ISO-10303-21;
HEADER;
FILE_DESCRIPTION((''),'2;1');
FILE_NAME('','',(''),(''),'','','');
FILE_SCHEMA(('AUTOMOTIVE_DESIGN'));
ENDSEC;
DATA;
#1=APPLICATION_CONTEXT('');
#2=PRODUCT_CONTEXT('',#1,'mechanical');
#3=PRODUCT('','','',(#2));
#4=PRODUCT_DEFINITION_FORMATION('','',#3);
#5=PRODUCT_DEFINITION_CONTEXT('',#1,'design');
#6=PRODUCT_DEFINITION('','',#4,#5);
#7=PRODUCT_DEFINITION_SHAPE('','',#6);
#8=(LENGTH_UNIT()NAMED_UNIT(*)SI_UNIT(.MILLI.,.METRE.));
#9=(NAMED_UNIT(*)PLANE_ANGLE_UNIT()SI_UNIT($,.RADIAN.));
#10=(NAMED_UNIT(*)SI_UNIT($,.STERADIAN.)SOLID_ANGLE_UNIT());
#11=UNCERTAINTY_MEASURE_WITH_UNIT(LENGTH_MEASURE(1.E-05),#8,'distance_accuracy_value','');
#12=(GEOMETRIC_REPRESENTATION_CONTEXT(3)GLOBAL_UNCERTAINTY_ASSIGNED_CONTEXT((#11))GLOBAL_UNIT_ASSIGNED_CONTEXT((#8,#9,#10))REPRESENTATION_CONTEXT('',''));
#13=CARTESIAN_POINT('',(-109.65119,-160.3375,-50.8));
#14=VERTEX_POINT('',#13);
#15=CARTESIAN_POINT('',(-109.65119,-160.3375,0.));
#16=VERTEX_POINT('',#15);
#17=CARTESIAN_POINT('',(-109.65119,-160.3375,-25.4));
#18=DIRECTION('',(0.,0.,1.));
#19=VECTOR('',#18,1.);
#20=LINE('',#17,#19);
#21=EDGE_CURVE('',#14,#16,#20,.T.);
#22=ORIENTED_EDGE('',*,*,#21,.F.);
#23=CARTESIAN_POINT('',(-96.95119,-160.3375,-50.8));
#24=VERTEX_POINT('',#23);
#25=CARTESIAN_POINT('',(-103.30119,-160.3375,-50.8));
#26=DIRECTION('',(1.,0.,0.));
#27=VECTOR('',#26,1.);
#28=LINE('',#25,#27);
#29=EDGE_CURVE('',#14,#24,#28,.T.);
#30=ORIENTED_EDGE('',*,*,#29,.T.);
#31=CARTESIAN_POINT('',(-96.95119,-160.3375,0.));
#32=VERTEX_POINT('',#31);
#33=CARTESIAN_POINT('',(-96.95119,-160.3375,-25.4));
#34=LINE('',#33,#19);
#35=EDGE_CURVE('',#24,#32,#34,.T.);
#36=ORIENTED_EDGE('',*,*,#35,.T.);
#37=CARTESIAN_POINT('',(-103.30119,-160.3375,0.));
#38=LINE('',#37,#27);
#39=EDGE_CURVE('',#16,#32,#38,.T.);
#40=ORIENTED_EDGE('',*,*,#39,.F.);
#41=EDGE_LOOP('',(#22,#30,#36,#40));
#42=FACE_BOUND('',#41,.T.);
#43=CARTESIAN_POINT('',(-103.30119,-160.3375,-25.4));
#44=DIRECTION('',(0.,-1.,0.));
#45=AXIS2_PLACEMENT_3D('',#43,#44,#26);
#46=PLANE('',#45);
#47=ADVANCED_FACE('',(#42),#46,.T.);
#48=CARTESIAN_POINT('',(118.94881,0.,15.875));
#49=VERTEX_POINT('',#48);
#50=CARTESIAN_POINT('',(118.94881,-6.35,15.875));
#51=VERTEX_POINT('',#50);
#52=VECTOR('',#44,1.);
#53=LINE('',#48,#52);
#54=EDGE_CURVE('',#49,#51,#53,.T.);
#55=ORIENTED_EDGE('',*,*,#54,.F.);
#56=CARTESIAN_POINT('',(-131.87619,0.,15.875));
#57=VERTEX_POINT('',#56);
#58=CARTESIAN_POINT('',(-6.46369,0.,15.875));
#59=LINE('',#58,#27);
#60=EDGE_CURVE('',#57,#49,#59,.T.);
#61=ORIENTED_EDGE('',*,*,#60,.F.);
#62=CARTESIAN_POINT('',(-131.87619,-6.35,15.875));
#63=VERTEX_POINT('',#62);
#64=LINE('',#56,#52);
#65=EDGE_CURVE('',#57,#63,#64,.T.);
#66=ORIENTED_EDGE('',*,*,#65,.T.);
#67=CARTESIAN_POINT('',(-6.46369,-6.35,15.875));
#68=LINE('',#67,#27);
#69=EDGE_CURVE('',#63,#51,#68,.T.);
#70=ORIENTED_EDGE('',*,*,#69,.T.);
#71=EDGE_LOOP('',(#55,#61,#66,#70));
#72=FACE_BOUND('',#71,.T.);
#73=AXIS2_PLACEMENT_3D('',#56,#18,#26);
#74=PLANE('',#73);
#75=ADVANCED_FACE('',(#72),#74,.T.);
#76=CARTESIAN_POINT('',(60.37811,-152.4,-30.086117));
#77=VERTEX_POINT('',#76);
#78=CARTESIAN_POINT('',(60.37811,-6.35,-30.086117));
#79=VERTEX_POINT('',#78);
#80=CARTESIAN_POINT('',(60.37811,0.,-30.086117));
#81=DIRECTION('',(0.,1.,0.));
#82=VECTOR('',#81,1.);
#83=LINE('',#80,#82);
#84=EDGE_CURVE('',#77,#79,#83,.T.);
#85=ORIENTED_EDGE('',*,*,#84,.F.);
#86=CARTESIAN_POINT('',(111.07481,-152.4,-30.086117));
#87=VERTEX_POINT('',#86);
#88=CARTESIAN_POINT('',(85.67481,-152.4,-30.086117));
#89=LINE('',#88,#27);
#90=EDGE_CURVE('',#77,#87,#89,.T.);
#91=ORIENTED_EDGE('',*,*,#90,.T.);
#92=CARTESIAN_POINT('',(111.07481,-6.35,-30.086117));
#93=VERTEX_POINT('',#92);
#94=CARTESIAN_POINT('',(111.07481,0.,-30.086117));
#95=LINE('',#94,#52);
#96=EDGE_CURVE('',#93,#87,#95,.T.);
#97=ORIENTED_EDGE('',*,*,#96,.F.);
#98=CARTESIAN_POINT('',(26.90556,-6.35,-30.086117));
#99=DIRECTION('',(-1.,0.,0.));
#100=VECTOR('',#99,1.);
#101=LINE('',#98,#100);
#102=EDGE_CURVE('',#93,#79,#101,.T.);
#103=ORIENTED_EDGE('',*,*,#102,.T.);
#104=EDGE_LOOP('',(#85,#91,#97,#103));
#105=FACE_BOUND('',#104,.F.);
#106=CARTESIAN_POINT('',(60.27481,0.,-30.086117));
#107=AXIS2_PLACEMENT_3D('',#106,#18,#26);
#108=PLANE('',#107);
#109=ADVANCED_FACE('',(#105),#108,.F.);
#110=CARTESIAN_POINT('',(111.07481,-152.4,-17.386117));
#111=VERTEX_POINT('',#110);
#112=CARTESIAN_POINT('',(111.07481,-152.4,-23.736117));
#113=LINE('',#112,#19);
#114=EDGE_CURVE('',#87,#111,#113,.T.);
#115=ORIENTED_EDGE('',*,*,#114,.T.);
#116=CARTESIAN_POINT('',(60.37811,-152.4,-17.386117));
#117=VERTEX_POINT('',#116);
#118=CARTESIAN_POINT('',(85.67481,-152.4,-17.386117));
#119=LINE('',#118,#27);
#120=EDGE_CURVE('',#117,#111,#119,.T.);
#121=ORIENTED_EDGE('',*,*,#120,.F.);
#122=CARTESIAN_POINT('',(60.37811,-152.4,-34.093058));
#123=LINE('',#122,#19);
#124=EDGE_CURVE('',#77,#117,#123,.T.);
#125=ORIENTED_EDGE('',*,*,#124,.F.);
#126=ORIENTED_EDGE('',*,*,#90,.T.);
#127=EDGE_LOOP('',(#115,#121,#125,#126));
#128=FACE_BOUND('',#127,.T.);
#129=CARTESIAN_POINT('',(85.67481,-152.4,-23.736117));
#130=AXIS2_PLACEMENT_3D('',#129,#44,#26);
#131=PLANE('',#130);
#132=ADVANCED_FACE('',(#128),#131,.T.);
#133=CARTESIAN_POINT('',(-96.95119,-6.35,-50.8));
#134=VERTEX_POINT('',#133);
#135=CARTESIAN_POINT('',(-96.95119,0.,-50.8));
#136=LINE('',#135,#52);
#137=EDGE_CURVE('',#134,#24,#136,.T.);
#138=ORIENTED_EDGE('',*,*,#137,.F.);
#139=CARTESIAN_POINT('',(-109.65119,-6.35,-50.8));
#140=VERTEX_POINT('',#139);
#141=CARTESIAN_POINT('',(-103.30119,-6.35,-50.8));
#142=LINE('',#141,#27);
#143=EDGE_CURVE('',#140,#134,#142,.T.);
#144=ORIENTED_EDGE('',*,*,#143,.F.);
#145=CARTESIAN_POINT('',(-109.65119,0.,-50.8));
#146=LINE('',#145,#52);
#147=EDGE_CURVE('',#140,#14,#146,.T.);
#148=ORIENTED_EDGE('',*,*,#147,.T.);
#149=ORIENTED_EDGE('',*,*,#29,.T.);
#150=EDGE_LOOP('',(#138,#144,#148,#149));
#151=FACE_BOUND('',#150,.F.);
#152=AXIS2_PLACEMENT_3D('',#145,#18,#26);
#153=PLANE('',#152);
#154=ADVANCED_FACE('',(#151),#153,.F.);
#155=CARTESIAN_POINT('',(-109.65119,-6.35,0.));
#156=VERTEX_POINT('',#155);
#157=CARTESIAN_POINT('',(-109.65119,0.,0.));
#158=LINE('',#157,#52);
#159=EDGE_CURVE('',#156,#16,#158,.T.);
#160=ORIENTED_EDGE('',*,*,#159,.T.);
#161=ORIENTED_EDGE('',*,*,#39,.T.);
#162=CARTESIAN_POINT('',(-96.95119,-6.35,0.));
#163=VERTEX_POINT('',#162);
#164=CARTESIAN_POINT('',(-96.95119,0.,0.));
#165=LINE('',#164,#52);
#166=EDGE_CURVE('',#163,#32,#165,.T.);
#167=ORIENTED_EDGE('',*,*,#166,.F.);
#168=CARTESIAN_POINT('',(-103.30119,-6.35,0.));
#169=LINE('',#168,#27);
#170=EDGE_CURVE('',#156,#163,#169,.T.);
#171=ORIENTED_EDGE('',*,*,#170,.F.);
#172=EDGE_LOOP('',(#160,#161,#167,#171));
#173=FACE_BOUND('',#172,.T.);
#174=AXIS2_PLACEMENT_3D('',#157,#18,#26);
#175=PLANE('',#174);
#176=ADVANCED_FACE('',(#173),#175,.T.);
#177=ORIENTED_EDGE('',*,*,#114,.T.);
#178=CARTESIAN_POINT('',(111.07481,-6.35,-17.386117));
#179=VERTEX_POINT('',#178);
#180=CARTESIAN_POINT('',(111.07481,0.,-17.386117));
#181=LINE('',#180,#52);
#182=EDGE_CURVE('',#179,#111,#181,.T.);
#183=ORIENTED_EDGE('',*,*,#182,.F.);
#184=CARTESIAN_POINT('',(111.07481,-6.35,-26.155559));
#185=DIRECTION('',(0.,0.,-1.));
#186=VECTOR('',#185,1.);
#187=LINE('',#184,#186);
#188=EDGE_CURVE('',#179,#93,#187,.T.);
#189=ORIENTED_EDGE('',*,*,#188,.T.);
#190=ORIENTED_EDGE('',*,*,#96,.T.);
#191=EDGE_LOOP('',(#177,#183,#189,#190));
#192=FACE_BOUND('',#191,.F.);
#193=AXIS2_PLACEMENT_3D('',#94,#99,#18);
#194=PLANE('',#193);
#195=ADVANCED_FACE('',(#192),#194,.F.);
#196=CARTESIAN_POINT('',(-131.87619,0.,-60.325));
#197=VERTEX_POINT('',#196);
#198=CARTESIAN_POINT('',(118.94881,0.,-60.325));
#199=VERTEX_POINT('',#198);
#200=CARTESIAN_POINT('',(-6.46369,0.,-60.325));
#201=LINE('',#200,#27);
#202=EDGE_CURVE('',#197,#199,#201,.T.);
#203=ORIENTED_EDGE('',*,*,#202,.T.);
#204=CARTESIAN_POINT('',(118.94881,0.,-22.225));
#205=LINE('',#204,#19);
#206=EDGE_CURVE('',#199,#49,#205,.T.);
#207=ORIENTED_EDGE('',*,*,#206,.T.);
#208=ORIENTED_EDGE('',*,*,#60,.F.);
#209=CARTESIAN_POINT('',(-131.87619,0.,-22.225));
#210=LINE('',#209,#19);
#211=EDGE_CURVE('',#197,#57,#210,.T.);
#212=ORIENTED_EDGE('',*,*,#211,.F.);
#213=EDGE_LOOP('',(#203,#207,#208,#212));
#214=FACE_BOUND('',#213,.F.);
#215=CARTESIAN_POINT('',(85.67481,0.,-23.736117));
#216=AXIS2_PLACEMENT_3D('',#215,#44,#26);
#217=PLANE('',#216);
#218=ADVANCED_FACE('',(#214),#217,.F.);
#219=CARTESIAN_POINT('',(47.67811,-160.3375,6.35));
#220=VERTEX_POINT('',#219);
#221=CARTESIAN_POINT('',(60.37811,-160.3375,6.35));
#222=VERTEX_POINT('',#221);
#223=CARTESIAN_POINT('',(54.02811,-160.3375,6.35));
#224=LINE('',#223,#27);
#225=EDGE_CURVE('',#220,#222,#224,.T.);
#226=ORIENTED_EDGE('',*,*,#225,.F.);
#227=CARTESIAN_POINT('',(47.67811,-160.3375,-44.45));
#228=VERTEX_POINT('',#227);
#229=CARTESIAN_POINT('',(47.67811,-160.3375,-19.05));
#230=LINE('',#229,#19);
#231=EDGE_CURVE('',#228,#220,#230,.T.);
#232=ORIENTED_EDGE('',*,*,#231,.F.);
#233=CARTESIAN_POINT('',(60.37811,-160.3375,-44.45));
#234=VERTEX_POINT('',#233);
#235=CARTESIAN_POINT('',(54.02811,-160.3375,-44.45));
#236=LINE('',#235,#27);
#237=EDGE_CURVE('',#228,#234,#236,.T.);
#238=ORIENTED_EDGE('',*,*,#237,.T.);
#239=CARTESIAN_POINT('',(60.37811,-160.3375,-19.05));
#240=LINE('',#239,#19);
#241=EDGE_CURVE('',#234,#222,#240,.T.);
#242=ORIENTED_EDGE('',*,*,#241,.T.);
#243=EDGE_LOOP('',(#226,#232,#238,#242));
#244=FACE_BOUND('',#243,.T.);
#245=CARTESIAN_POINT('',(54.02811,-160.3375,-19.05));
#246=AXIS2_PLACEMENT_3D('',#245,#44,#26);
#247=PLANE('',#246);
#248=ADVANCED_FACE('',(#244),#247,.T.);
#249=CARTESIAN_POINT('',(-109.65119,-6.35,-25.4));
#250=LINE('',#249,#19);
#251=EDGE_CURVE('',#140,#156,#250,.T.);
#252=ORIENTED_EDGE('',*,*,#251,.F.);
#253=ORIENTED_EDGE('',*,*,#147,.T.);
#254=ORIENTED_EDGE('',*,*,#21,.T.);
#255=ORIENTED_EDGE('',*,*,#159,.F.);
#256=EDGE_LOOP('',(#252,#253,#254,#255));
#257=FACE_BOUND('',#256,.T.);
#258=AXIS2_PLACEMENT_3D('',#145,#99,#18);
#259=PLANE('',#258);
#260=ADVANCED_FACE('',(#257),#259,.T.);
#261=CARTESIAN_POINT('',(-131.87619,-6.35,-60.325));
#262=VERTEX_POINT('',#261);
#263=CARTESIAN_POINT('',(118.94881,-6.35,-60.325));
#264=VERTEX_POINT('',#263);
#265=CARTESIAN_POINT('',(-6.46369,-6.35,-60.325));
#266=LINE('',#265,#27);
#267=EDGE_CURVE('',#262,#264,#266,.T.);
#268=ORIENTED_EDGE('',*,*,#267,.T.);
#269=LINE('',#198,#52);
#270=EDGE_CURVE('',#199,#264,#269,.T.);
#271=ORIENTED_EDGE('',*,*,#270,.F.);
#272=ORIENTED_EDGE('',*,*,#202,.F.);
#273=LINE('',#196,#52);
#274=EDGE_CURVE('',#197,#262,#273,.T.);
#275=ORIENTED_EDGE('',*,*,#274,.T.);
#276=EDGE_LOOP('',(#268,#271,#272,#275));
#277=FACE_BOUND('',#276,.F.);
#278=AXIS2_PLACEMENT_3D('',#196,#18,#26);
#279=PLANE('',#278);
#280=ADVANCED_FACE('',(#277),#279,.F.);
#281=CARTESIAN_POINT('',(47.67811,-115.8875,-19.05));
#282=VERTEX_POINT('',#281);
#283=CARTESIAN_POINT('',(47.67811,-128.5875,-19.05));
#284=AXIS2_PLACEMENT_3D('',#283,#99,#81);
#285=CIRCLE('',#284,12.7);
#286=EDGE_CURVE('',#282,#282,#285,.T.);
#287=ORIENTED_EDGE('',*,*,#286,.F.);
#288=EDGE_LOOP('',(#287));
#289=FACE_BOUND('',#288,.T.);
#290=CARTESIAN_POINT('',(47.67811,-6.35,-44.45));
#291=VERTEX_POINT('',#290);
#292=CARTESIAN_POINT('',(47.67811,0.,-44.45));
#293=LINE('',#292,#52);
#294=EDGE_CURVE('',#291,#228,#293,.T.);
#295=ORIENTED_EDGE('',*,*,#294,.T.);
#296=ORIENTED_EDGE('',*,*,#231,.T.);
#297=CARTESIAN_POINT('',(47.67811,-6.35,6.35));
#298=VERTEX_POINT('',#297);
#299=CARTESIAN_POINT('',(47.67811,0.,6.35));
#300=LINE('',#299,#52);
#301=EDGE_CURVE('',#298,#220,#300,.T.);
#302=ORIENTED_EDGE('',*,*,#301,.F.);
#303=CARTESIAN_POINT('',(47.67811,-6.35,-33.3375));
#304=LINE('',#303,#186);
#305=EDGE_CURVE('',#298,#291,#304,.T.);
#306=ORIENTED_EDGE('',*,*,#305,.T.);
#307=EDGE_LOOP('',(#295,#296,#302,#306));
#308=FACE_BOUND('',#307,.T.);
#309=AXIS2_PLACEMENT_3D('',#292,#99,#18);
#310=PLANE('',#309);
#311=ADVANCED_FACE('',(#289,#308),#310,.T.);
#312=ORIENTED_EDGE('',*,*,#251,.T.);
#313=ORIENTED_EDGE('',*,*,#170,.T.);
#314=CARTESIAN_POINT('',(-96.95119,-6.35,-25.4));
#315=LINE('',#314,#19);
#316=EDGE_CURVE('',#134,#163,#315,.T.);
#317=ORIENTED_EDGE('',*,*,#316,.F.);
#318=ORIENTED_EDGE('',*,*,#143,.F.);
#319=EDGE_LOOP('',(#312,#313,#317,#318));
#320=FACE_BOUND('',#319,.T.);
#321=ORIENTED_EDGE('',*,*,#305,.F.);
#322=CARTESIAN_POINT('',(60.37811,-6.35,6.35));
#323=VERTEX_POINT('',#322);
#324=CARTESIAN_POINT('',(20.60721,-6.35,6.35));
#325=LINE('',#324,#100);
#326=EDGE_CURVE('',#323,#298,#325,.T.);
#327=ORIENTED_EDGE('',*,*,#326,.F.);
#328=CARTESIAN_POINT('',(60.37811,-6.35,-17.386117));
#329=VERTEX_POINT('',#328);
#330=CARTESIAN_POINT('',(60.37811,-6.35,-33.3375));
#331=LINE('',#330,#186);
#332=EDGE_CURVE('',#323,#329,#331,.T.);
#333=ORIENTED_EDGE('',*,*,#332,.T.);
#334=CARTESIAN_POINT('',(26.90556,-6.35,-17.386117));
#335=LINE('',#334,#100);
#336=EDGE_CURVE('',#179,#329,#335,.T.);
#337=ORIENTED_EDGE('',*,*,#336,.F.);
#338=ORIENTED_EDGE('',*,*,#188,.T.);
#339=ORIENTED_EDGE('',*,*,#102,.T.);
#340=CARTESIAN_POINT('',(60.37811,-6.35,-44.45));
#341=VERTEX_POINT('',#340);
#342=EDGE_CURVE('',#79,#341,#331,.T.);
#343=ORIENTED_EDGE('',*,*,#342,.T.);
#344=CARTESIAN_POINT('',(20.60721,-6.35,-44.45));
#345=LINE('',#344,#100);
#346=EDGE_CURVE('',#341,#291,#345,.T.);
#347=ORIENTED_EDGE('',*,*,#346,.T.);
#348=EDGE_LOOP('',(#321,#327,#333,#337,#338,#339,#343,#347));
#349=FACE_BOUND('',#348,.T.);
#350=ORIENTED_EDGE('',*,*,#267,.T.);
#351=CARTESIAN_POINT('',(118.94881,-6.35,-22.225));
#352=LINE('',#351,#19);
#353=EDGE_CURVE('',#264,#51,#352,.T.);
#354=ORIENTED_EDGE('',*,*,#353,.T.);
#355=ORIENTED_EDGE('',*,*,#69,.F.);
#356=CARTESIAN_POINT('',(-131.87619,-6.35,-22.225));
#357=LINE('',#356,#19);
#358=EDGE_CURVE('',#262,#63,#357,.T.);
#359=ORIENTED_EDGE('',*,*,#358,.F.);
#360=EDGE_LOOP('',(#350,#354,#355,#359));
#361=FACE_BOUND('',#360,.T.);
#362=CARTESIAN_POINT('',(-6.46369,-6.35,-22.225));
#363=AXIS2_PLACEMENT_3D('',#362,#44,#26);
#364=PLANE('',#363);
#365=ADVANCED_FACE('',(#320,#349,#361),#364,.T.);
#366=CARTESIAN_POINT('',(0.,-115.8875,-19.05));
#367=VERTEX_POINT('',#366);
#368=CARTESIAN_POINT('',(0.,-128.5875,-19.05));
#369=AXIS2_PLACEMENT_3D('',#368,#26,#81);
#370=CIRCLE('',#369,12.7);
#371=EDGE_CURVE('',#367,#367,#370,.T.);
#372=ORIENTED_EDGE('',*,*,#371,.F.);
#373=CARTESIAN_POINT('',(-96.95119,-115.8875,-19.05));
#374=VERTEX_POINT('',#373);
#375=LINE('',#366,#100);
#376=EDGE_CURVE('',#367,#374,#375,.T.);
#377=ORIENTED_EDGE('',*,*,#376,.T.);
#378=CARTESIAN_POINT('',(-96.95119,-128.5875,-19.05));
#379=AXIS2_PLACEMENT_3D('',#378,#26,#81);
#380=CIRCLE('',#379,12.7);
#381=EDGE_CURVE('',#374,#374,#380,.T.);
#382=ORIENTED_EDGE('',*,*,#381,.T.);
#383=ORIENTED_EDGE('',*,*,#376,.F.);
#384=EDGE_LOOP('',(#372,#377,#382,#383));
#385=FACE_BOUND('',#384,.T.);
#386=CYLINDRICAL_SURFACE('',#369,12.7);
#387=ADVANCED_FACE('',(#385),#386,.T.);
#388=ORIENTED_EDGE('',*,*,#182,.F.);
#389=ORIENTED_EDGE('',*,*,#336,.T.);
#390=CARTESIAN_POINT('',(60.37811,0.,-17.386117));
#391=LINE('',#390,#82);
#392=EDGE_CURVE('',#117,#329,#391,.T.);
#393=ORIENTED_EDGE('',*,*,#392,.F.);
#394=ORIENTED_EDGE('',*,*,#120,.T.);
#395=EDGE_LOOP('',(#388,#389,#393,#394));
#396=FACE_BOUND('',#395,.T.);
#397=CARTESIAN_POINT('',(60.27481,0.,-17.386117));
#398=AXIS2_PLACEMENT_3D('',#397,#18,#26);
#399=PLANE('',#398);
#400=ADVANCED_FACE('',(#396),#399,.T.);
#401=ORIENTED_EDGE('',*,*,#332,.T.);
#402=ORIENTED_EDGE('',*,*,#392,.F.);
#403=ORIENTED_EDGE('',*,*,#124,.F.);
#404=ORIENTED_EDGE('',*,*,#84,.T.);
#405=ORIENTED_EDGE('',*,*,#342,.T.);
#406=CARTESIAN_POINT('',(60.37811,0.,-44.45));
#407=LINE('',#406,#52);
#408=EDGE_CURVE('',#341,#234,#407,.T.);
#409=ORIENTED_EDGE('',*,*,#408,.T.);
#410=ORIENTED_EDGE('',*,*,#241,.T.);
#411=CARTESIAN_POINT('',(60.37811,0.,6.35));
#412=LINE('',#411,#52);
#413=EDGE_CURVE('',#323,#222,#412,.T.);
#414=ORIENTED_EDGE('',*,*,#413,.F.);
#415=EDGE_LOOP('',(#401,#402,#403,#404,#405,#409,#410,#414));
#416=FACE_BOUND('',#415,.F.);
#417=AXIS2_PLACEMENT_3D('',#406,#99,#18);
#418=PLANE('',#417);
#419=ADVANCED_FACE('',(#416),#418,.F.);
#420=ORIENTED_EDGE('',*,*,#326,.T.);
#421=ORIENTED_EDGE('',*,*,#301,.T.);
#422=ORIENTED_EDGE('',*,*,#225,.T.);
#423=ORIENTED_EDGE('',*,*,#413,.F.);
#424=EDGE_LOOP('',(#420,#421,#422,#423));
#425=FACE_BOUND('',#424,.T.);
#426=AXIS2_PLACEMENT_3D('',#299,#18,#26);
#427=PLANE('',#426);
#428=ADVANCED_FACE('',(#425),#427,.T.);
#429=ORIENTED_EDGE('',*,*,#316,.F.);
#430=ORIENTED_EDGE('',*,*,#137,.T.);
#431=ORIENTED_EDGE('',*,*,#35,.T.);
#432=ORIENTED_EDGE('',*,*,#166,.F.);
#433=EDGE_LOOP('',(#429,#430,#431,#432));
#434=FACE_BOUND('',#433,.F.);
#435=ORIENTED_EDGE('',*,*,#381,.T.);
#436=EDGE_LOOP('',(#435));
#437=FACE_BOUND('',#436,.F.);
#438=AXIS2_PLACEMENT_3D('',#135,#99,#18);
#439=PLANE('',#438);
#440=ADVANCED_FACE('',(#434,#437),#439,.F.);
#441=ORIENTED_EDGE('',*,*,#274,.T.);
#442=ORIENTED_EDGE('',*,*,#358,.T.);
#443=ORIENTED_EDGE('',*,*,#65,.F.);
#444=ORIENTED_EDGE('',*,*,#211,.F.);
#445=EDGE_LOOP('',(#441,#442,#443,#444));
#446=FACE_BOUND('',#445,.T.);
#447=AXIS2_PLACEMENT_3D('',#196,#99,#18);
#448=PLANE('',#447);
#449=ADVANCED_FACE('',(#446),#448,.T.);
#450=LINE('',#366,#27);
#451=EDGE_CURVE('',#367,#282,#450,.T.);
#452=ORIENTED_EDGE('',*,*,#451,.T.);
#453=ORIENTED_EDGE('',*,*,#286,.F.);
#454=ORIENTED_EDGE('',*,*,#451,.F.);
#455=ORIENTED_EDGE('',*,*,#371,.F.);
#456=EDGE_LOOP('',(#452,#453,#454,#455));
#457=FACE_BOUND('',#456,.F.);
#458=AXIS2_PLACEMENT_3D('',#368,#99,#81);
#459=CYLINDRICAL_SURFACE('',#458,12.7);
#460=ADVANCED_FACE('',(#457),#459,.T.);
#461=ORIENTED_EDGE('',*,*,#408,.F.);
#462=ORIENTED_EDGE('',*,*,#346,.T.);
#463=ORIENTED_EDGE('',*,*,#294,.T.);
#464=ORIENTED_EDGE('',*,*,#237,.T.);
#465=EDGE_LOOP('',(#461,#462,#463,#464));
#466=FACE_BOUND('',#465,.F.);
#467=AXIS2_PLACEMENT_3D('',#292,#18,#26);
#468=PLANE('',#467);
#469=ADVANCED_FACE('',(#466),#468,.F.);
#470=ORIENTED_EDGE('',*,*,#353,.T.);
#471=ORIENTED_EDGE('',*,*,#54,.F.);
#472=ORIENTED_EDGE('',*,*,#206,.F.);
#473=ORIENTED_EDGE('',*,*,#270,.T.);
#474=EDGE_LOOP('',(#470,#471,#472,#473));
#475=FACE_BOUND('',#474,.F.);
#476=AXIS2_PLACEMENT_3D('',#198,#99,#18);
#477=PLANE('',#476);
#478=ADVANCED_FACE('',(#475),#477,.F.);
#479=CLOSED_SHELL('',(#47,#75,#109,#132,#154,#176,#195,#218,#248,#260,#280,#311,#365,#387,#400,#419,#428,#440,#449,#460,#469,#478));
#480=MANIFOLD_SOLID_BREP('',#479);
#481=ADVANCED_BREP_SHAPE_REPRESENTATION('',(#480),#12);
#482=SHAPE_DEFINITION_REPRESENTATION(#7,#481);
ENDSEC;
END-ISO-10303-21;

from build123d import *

# Parameters (mm, degrees)
F0_W          = 250.825
F0_H          = 76.2
F0_W_2        = 12.7
F0_H_2        = 50.8
F1_DEPTH      = 6.35
F2_DEPTH      = 160.3375
F3_W          = 12.7
F3_H          = 50.8
F4_DEPTH      = 160.3375
F5_W          = 50.8
F5_H          = 12.7
F6_DEPTH      = 152.4
F7_R          = 12.7
F8_DEPTH      = 55.626
F8_DEPTH_BACK = 97.028


with BuildPart() as f1:
    # F0 (on Front) → F1 (new body)
    with BuildSketch(Plane.XZ):
        with Locations((-6.46369, -22.225)):
            Rectangle(F0_W, F0_H)
        with Locations((-103.30119, -25.4)):
            Rectangle(F0_W_2, F0_H_2, mode=Mode.SUBTRACT)
    extrude(amount=F1_DEPTH)

    # F0 (on Front) → F2 (join)
    with BuildSketch(Plane.XZ):
        with Locations((-103.30119, -25.4)):
            Rectangle(F0_W_2, F0_H_2)
    extrude(amount=F2_DEPTH)

    # F3 (on Front) → F4 (join)
    with BuildSketch(Plane.XZ):
        with Locations((54.02811, -19.05)):
            Rectangle(F3_W, F3_H)
    extrude(amount=F4_DEPTH)

    # F5 (on Front) → F6 (join)
    with BuildSketch(Plane.XZ):
        with Locations((85.67481, -23.736117)):
            Rectangle(F5_W, F5_H)
    extrude(amount=F6_DEPTH)

    # F7 (on Right) → F8 (join, two sides)
    with BuildSketch(Plane.YZ) as f8_sk:
        with Locations((-128.5875, -19.05)):
            Circle(F7_R)
    extrude(amount=F8_DEPTH)
    extrude(f8_sk.sketch, amount=-F8_DEPTH_BACK)


solid = f1.part
